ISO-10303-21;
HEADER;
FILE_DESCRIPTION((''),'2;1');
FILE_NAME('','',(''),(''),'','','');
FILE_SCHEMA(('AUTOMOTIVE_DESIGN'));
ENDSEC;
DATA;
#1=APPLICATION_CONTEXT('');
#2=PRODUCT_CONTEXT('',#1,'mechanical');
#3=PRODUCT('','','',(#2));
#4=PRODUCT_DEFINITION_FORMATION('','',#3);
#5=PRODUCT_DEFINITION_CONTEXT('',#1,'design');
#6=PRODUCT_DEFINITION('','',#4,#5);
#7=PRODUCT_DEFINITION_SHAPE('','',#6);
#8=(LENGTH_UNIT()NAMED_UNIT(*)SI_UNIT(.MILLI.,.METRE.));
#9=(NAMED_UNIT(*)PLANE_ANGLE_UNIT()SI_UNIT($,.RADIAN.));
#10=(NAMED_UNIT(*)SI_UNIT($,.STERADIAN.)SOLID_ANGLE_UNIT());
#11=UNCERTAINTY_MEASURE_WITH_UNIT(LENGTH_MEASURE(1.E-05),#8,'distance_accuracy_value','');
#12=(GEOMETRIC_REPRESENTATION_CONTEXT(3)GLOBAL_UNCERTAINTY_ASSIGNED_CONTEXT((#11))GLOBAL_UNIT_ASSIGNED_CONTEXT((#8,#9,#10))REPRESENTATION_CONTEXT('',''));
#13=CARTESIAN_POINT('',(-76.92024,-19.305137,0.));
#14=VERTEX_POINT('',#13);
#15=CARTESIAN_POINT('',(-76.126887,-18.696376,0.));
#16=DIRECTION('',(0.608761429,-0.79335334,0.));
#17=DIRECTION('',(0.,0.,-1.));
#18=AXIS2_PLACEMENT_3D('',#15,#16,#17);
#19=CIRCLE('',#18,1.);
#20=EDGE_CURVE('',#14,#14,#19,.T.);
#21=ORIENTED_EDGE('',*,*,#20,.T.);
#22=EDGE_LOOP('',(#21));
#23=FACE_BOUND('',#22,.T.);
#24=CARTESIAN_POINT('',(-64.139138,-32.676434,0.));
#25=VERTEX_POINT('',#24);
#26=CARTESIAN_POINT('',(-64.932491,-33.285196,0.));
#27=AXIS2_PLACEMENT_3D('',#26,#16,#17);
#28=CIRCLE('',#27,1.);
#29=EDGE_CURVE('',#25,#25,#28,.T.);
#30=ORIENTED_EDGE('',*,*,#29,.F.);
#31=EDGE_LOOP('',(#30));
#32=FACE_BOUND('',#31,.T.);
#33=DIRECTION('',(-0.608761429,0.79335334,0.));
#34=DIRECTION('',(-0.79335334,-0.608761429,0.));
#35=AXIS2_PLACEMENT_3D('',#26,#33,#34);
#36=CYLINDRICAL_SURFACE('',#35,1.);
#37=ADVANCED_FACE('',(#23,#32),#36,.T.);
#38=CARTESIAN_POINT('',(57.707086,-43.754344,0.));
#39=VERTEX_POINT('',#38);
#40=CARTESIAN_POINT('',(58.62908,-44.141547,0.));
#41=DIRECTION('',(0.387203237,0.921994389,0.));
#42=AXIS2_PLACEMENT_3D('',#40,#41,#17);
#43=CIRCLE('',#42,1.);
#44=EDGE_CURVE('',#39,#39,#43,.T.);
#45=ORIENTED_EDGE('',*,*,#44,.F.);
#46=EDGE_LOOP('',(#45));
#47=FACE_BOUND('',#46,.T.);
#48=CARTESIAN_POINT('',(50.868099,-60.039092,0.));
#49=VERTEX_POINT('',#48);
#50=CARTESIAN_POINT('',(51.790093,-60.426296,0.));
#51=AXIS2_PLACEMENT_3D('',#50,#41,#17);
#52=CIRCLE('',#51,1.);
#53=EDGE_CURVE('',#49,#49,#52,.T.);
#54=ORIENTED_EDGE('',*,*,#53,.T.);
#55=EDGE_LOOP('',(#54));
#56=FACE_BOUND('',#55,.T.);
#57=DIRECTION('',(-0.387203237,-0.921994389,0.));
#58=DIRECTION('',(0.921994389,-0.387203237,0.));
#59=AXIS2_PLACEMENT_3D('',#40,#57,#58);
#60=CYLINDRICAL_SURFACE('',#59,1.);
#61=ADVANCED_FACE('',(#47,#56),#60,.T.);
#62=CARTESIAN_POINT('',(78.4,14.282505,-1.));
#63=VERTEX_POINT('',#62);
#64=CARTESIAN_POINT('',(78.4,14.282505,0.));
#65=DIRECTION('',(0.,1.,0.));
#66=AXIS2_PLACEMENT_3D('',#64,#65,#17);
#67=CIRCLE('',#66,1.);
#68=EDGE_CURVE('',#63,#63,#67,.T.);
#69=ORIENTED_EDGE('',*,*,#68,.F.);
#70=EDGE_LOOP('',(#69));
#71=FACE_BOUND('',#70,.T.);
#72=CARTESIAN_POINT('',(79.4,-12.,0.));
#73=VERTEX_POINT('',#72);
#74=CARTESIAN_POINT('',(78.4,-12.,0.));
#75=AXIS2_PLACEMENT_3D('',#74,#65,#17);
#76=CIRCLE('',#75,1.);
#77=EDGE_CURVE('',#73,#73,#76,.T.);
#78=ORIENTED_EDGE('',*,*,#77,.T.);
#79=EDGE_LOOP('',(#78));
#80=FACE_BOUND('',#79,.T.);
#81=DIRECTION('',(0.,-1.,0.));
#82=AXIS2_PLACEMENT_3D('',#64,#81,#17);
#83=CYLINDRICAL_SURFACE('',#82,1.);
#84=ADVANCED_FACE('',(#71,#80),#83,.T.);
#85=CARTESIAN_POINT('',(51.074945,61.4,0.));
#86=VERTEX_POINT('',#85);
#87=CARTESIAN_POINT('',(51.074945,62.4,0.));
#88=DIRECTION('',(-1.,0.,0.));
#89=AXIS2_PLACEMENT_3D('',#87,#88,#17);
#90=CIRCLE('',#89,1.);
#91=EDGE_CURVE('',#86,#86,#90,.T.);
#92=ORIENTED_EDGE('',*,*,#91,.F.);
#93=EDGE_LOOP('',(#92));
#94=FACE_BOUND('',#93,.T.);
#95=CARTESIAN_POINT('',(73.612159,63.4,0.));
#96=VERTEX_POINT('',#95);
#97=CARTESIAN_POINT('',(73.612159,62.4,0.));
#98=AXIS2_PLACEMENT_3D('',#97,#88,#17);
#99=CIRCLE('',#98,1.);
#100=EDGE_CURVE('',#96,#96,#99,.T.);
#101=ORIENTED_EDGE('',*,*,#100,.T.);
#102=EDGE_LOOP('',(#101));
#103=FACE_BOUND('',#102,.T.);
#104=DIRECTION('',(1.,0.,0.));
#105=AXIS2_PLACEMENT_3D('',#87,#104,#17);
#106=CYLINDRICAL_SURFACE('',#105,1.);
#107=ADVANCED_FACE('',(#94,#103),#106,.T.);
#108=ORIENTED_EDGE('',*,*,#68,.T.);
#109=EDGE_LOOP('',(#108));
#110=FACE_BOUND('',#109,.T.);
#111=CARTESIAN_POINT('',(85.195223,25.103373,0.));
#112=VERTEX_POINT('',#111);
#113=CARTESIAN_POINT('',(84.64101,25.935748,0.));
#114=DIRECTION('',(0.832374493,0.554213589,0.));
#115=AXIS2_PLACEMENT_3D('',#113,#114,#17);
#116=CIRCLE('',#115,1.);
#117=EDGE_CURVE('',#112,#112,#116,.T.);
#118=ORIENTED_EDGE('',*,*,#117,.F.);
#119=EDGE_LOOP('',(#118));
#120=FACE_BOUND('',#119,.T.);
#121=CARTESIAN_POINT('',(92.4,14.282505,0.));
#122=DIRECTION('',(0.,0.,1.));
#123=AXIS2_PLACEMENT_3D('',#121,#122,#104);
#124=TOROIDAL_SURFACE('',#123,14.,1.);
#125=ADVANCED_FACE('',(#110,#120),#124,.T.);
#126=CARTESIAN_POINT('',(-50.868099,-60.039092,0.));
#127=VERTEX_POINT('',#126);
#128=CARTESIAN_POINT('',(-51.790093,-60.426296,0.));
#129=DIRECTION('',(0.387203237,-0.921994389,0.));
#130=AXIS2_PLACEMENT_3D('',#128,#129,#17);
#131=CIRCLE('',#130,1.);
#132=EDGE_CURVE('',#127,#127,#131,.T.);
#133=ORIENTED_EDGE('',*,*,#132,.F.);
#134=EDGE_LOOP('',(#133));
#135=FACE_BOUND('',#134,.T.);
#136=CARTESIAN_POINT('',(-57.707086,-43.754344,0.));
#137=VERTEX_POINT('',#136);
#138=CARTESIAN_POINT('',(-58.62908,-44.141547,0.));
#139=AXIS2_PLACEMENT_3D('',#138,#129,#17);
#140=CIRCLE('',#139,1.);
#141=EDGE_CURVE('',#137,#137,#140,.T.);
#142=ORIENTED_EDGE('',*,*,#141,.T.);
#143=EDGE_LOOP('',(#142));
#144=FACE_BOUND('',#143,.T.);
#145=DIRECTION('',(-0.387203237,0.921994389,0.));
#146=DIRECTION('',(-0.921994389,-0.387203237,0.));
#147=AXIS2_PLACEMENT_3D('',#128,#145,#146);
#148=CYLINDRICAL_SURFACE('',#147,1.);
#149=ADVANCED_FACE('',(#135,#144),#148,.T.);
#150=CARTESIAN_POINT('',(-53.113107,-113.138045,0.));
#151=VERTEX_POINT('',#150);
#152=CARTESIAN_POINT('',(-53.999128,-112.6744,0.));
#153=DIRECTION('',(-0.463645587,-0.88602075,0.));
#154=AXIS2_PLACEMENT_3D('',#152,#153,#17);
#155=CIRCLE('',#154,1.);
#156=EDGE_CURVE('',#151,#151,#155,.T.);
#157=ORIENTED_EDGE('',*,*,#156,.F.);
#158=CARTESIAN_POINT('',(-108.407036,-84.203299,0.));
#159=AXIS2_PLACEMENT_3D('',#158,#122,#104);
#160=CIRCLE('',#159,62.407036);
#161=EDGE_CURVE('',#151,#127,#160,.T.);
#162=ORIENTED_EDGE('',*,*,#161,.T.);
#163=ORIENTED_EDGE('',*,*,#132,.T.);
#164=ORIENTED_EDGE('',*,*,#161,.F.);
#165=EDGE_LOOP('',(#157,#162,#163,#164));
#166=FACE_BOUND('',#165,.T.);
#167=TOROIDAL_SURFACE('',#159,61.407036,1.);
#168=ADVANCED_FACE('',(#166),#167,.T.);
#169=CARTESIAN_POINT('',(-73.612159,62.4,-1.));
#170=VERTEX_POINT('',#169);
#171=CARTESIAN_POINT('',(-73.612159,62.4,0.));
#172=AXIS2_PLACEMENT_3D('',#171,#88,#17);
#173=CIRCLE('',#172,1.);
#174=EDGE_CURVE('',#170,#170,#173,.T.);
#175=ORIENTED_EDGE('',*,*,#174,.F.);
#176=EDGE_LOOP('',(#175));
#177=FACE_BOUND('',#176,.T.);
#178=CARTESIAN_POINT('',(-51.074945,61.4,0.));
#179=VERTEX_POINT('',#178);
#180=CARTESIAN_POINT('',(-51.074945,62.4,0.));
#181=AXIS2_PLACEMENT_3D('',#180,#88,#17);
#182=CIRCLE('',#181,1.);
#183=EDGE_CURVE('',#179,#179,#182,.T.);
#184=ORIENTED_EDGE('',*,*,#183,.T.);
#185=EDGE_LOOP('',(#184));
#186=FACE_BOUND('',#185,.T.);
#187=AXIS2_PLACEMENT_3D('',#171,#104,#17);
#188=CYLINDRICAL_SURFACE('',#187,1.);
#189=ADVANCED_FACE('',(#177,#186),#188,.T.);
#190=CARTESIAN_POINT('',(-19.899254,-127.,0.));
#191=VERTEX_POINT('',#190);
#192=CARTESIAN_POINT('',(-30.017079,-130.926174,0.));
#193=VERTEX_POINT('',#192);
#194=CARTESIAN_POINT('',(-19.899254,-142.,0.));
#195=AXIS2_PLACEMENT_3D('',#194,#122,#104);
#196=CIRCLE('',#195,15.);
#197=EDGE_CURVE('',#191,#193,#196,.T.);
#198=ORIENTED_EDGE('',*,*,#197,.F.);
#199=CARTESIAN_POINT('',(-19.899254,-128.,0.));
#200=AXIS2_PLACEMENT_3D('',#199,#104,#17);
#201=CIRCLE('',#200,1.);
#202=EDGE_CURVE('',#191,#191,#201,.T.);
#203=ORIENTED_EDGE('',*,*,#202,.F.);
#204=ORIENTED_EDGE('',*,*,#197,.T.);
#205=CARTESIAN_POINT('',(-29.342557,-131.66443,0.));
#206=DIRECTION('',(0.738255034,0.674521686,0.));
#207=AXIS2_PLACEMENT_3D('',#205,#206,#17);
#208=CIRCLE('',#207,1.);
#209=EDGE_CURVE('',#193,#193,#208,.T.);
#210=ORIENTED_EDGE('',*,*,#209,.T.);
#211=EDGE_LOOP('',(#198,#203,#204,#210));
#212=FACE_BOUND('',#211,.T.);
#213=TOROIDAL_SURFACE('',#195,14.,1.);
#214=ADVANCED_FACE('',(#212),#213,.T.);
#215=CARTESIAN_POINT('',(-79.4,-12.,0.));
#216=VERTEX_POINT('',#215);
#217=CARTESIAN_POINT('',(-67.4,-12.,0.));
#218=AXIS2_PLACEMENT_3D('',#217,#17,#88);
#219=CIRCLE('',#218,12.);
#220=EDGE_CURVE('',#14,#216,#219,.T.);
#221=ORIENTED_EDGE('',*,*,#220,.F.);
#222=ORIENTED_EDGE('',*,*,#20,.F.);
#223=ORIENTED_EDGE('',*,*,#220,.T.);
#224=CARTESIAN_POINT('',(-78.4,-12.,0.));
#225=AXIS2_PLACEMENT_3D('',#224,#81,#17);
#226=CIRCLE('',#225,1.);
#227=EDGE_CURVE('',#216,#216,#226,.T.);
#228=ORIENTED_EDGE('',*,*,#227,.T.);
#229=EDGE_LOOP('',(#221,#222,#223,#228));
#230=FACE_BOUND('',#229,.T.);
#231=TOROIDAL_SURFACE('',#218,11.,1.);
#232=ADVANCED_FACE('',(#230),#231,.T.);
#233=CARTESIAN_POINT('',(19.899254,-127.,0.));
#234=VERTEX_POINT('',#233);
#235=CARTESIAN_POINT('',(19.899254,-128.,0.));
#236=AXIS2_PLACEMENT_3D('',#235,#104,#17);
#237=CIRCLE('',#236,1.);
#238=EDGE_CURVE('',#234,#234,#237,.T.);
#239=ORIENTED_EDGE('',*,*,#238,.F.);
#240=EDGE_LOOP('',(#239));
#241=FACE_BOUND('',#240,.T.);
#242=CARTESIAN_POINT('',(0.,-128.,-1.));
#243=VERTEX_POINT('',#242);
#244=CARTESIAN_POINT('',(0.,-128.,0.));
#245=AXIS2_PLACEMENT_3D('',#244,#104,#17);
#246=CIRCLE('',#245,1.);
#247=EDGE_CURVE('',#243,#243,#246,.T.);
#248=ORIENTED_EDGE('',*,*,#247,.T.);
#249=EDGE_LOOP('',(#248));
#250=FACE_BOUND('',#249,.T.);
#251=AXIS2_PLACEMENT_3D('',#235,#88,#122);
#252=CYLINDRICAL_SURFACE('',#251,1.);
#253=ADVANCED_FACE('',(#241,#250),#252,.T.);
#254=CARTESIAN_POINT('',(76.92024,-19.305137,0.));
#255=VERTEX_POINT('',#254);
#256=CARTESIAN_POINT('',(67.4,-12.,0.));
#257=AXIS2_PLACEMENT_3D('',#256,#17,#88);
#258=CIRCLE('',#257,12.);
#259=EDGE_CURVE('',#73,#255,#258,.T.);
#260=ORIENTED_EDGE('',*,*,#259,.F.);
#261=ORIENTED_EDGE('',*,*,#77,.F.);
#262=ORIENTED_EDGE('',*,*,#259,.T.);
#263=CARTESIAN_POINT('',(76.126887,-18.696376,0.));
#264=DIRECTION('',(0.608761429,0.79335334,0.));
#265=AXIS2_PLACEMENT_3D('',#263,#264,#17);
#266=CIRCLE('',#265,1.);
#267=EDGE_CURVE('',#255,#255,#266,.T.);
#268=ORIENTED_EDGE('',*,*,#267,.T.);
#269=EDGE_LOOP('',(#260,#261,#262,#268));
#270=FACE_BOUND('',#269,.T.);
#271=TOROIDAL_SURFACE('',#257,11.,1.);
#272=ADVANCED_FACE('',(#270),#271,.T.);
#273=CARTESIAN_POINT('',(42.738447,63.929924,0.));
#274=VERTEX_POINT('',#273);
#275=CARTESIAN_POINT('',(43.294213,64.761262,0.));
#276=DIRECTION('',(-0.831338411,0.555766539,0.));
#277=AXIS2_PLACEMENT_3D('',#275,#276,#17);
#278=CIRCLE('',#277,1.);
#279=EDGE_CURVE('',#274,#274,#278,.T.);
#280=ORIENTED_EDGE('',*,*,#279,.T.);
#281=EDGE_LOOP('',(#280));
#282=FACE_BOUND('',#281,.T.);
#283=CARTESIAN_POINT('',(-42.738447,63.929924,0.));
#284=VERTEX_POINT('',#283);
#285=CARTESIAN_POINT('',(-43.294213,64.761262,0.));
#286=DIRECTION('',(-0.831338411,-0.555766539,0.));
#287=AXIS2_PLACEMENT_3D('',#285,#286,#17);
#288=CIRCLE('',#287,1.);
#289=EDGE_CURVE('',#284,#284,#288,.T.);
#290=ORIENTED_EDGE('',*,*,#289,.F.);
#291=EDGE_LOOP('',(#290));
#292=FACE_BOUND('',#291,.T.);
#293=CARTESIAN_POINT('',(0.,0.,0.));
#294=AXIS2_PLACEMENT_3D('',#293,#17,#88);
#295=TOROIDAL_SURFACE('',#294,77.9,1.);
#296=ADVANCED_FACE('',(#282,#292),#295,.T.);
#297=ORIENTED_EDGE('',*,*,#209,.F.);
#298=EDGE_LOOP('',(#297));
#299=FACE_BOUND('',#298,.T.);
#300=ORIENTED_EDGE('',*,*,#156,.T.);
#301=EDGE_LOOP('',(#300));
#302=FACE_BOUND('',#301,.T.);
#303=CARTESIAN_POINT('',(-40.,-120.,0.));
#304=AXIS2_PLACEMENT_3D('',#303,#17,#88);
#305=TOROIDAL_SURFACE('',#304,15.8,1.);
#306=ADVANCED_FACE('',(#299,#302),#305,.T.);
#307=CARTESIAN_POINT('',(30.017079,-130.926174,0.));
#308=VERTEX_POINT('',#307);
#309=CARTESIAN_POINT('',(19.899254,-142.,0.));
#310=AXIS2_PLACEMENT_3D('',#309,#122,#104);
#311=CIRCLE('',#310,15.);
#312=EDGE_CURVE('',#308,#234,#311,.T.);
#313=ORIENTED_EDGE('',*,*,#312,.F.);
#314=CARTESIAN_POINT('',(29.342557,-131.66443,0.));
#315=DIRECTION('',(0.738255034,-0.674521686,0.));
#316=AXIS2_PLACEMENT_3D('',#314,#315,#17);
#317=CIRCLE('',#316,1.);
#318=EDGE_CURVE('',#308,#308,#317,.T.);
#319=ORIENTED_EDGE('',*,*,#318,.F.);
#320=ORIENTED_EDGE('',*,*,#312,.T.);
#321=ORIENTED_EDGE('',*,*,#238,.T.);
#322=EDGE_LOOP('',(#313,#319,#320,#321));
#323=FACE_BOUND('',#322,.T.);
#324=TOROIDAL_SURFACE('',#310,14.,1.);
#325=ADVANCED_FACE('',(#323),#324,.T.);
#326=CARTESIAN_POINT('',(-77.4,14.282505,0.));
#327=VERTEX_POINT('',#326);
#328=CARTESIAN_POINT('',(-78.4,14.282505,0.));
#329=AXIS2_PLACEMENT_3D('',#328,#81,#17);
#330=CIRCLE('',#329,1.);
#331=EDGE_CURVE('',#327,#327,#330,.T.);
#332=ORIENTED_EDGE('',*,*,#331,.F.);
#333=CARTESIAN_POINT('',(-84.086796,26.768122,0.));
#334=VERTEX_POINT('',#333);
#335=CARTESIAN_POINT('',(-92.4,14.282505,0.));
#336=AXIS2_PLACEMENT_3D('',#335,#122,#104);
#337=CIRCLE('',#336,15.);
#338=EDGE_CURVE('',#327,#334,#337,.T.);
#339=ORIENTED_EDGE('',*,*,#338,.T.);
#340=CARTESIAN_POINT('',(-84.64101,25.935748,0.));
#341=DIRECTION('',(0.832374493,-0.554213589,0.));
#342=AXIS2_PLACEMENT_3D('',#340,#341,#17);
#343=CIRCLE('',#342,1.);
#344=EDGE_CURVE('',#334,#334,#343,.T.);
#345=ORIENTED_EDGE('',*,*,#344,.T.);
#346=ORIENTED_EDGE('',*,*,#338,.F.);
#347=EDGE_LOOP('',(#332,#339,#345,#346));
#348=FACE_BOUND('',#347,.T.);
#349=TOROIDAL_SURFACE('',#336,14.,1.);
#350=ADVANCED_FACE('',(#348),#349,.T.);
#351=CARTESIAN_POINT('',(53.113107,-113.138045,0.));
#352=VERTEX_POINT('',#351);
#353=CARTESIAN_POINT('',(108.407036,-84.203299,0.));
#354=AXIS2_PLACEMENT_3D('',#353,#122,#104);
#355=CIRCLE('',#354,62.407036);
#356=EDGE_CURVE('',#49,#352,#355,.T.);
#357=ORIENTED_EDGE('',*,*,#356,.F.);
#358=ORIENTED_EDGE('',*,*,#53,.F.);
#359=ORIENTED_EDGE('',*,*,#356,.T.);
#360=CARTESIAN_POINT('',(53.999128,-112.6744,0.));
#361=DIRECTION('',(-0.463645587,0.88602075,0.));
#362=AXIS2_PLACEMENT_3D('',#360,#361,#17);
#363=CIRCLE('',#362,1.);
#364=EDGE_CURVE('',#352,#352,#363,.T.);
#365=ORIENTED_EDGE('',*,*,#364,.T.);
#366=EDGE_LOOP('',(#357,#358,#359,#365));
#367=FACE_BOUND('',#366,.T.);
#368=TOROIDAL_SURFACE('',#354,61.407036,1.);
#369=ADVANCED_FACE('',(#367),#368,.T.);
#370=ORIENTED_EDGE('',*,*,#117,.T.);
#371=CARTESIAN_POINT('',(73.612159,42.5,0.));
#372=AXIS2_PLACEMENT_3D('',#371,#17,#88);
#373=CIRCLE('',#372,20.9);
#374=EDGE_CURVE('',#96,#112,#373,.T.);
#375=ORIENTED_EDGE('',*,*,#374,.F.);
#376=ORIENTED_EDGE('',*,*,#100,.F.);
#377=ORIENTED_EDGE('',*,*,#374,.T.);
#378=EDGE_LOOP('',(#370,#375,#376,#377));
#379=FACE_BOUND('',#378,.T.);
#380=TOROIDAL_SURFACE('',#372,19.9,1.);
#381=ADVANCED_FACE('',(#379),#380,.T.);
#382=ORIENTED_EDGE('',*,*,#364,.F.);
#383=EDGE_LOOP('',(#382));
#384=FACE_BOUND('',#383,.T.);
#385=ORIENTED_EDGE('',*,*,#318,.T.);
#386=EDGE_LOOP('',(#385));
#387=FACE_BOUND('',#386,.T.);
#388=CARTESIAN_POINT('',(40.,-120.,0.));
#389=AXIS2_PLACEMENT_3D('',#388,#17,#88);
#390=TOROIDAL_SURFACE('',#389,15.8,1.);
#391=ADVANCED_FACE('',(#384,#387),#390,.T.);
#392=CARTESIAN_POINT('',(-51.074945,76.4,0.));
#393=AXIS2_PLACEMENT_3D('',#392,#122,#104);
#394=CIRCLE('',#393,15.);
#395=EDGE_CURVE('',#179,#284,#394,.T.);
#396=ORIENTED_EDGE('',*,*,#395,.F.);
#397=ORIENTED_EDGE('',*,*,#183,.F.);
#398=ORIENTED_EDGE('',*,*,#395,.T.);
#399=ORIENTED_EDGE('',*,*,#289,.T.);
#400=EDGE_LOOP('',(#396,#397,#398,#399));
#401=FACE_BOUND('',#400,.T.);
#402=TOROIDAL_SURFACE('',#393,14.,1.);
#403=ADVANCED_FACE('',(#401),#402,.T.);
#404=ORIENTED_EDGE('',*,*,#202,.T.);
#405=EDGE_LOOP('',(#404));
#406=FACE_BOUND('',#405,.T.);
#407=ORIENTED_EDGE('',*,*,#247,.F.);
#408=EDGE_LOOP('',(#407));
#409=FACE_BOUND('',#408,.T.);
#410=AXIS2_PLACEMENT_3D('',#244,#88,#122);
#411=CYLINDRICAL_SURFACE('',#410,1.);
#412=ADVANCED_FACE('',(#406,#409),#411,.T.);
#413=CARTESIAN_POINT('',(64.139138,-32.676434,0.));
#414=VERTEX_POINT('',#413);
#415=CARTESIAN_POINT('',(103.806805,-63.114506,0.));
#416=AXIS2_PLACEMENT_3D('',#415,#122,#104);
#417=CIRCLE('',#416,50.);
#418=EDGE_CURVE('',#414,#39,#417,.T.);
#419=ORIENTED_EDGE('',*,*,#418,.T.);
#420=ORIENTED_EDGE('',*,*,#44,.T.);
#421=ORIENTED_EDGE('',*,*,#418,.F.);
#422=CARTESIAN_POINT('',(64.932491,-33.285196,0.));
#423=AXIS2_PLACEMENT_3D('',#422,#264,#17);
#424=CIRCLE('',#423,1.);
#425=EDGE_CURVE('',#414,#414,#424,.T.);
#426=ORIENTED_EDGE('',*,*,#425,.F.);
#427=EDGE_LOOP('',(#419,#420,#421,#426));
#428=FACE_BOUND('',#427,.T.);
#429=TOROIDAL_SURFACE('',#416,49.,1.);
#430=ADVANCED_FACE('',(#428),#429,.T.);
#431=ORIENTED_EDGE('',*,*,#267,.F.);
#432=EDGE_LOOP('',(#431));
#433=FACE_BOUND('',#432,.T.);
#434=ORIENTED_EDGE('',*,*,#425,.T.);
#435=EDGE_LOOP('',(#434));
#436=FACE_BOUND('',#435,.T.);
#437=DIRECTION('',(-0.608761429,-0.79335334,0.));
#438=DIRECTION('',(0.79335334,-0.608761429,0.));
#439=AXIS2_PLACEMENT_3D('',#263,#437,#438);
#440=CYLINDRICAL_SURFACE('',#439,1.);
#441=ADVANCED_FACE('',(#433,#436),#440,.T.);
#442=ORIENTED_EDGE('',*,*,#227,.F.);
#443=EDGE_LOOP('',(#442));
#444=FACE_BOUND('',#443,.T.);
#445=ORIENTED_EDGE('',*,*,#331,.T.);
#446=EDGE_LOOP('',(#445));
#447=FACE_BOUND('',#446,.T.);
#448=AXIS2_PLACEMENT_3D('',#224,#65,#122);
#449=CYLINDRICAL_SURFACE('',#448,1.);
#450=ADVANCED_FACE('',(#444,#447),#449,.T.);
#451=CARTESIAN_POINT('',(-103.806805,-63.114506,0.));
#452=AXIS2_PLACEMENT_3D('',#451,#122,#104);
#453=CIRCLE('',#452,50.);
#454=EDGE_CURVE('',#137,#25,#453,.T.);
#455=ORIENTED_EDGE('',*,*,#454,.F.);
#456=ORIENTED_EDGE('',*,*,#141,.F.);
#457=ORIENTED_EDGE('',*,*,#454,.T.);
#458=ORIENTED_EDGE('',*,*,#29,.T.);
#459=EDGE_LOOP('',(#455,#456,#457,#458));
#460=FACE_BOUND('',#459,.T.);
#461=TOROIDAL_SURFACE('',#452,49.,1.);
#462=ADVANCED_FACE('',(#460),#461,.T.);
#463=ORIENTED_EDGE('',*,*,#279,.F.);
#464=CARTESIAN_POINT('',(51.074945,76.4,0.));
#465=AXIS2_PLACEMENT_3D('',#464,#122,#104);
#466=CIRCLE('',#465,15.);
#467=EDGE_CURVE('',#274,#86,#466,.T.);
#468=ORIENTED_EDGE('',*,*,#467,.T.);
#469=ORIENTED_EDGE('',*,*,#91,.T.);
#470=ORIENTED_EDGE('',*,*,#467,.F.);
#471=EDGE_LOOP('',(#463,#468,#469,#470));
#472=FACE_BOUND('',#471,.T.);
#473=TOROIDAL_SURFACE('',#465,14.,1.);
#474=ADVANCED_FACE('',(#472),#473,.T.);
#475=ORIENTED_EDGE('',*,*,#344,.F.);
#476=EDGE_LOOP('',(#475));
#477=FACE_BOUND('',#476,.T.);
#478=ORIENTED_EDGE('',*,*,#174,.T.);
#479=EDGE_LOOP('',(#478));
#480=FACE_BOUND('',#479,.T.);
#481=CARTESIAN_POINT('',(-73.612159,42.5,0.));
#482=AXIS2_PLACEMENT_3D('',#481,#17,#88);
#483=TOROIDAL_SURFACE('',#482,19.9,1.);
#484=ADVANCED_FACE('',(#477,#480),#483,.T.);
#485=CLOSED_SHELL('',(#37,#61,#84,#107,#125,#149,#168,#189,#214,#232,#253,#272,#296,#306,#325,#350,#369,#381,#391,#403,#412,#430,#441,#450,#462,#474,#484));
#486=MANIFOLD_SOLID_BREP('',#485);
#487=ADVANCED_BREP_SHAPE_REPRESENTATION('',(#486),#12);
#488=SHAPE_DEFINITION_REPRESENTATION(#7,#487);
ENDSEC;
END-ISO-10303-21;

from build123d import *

# Parameters (mm, degrees)
SKETCH2_R = 1


with BuildPart() as part:
    # Sweep1: sweep along a path in Sketch1
    with BuildLine(Plane.XY) as sweep1_path:
        Line((-77.4, 14.282504671), (-77.4, -12))
        ThreePointArc((-77.4, -12), (-76.869301295, -15.214394653), (-75.333533403, -18.08761429))
        Line((-75.333533403, -18.08761429), (-64.139137996, -32.676434418))
        ThreePointArc((-64.139137996, -32.676434418), (-60.566879415, -38.008553695), (-57.707085562, -43.75434402))
        Line((-57.707085562, -43.75434402), (-50.868098956, -60.039092376))
        ThreePointArc((-50.868098956, -60.039092376), (-46.055703914, -86.839494641), (-53.113107106, -113.13804532))
        ThreePointArc((-53.113107106, -113.13804532), (-49.030719862, -131.725446634), (-30.017079041, -130.926174497))
        ThreePointArc((-30.017079041, -130.926174497), (-25.325699057, -128.015948682), (-19.899253745, -127))
        Line((-19.899253745, -127), (19.899253745, -127))
        ThreePointArc((19.899253745, -127), (25.325699057, -128.015948682), (30.017079041, -130.926174497))
        ThreePointArc((30.017079041, -130.926174497), (49.030719862, -131.725446634), (53.113107106, -113.13804532))
        ThreePointArc((53.113107106, -113.13804532), (46.055703914, -86.839494641), (50.868098956, -60.039092376))
        Line((50.868098956, -60.039092376), (57.707085562, -43.75434402))
        ThreePointArc((57.707085562, -43.75434402), (60.566879415, -38.008553695), (64.139137996, -32.676434418))
        Line((64.139137996, -32.676434418), (75.333533403, -18.08761429))
        ThreePointArc((75.333533403, -18.08761429), (76.869301295, -15.214394653), (77.4, -12))
        Line((77.4, -12), (77.4, 14.282504671))
        ThreePointArc((77.4, 14.282504671), (79.176950851, 21.364239713), (84.08679616, 26.768122073))
        ThreePointArc((84.08679616, 26.768122073), (91.702799067, 47.971631712), (73.612159322, 61.4))
        Line((73.612159322, 61.4), (51.074944934, 61.4))
        ThreePointArc((51.074944934, 61.4), (46.718980204, 62.046409116), (42.738446849, 63.92992383))
        ThreePointArc((42.738446849, 63.92992383), (0, 76.9), (-42.738446849, 63.92992383))
        ThreePointArc((-42.738446849, 63.92992383), (-46.718980204, 62.046409116), (-51.074944934, 61.4))
        Line((-51.074944934, 61.4), (-73.612159322, 61.4))
        ThreePointArc((-73.612159322, 61.4), (-91.702799067, 47.971631712), (-84.08679616, 26.768122073))
        ThreePointArc((-84.08679616, 26.768122073), (-79.176950851, 21.364239713), (-77.4, 14.282504671))
    # Sketch2 → Sweep1 (sweep)
    with BuildSketch(Plane(origin=(0, 0, 0), x_dir=(0, 0, -1), z_dir=(1, 0, 0))):
        with Locations((0, -128)):
            Circle(SKETCH2_R)
    sweep(path=sweep1_path.line)


solid = part.part
